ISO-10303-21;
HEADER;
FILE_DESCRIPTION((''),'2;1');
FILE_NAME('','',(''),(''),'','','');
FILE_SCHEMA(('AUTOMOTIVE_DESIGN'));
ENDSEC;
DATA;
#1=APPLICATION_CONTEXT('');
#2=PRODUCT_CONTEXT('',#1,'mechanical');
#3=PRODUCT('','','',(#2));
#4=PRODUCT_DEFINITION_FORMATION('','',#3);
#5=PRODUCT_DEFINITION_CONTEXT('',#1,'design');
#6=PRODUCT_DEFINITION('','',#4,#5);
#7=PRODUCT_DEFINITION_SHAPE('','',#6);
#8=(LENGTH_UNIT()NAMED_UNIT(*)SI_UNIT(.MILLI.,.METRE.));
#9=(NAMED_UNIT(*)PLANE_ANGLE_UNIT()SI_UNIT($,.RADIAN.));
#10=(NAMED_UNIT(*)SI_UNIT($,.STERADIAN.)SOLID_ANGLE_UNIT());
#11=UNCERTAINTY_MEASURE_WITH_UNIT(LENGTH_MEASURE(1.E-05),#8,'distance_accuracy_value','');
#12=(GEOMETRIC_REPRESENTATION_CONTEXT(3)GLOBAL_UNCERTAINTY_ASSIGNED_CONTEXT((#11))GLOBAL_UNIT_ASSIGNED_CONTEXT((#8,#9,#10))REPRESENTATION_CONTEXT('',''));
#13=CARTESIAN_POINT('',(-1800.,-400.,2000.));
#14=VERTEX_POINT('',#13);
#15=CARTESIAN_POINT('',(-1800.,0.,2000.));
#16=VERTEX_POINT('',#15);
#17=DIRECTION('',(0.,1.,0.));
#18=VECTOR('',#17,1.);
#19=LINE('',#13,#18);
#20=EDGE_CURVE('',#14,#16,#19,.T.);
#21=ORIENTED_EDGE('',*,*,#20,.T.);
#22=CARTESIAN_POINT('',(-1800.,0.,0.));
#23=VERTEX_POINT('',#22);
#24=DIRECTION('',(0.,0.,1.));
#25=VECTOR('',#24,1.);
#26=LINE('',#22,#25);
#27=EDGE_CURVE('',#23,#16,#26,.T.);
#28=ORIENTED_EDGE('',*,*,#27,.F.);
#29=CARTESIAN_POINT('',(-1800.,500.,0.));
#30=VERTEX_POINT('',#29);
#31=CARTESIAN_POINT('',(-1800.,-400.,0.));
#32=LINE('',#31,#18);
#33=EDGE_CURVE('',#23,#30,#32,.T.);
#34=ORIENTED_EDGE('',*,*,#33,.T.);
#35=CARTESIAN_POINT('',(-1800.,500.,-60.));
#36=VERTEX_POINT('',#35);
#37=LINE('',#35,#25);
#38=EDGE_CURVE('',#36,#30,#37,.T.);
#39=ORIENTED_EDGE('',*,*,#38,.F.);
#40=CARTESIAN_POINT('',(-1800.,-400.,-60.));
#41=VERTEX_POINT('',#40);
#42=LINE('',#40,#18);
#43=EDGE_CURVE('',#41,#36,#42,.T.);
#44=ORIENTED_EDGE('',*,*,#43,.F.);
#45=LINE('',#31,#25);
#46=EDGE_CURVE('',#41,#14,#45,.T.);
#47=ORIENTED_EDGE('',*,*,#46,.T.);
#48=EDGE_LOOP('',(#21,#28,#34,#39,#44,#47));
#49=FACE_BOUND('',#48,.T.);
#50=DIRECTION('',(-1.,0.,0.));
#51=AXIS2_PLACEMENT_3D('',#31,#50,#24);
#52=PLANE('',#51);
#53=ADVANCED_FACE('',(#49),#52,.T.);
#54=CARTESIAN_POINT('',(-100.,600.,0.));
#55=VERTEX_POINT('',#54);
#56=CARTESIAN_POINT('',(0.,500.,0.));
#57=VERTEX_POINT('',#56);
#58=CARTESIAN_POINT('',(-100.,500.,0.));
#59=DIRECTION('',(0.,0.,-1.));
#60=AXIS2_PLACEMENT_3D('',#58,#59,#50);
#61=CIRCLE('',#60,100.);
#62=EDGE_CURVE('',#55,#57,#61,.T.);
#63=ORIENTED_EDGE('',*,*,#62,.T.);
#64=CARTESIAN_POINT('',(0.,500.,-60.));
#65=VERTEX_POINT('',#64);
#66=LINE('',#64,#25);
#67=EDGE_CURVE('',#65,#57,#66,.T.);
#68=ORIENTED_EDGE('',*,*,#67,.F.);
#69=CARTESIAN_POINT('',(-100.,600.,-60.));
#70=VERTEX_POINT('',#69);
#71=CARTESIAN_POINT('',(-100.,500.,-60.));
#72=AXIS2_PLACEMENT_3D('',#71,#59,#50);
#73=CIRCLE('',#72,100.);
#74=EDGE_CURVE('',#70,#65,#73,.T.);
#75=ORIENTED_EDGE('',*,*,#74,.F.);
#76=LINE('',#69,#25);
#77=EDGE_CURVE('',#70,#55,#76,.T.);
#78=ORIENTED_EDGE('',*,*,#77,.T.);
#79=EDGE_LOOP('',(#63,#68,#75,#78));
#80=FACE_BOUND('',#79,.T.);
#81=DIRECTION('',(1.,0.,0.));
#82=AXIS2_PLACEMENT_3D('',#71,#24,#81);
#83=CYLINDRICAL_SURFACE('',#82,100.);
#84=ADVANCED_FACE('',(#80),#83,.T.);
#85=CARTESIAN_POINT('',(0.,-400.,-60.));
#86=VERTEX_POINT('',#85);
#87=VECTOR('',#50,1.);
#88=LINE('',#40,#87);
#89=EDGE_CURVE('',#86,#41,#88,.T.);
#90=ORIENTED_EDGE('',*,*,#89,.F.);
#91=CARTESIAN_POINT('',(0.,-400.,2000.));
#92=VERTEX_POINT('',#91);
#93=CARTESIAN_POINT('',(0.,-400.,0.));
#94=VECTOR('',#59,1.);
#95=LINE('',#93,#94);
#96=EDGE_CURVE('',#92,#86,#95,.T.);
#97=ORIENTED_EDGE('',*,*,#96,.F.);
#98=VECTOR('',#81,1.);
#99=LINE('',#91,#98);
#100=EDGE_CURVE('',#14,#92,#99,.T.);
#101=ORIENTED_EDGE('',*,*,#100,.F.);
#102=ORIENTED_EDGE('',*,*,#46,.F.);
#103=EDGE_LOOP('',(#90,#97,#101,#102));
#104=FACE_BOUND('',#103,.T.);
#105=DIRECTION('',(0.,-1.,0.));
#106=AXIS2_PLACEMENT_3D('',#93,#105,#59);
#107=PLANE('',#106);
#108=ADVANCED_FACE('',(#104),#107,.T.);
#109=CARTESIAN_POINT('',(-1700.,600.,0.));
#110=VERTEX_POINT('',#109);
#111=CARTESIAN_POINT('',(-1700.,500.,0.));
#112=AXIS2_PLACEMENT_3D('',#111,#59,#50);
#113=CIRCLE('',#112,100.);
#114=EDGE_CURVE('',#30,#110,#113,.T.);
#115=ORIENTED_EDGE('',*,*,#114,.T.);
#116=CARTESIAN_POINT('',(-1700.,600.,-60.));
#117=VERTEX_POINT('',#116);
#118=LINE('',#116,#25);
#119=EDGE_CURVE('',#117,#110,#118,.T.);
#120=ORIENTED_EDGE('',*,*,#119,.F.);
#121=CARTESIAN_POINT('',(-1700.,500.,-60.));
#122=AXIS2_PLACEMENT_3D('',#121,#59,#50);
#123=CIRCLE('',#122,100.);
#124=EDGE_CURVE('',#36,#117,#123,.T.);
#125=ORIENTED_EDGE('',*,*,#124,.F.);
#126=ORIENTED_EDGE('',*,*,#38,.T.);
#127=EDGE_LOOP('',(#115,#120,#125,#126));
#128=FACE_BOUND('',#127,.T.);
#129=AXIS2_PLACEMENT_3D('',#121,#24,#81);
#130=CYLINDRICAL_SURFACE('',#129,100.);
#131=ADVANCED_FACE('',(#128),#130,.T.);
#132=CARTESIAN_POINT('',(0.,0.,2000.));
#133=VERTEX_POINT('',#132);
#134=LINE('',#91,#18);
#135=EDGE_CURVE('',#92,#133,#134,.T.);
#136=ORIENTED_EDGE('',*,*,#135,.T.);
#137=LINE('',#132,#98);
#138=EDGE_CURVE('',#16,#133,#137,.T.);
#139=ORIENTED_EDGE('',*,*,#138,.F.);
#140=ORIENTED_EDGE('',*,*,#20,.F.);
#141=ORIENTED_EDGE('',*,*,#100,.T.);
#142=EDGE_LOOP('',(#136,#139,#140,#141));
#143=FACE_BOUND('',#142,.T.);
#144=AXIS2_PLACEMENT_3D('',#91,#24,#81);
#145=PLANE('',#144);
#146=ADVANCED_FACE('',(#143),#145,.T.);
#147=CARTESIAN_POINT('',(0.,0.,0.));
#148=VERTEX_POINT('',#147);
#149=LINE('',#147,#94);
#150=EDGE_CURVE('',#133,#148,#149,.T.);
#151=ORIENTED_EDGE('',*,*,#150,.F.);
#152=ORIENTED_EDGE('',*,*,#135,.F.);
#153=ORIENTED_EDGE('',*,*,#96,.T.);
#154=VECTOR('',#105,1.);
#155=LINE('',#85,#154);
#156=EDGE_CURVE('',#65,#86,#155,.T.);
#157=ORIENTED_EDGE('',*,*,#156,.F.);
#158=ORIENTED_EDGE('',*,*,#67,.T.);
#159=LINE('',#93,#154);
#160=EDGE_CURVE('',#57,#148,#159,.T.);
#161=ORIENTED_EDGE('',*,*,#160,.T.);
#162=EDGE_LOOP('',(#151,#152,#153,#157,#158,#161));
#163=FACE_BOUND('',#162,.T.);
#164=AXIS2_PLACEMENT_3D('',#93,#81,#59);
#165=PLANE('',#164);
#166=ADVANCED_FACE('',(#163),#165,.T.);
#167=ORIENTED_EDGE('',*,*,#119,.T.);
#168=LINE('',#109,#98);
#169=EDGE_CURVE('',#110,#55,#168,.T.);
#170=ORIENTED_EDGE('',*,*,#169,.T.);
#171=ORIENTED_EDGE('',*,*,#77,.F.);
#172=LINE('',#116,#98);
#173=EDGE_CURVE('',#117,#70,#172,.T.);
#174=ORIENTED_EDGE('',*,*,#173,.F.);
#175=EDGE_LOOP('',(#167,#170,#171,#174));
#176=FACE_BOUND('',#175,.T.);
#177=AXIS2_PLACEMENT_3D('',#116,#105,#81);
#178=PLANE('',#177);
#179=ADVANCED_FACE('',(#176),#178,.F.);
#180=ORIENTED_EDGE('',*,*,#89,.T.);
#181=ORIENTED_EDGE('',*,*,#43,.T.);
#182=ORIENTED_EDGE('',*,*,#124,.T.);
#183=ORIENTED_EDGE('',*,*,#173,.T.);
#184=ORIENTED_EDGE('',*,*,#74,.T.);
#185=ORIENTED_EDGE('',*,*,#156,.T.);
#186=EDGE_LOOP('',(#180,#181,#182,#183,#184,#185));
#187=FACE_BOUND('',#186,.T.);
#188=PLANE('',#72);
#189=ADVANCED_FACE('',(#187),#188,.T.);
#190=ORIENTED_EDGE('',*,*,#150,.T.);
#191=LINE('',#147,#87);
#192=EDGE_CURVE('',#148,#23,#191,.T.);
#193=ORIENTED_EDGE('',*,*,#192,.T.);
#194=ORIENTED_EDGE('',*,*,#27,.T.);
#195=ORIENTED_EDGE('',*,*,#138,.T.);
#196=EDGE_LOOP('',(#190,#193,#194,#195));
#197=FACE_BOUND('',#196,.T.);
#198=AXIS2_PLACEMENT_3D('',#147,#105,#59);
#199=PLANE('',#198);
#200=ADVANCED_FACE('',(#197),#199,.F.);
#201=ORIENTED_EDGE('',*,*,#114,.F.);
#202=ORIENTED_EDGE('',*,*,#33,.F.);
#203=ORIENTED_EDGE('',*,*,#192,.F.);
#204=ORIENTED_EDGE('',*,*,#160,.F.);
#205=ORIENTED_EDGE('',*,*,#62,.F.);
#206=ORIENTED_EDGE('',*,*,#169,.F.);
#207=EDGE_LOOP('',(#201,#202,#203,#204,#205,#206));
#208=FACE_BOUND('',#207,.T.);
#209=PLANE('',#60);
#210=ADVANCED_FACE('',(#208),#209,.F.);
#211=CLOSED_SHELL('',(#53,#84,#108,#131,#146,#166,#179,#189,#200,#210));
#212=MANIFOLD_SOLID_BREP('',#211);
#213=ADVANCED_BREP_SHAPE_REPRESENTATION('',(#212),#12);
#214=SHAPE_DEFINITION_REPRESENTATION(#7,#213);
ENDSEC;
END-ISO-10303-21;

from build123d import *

# Parameters (mm, degrees)
SKETCH_1_W      = 1800
SKETCH_1_H      = 2000
EXTRUDE_1_DEPTH = 400
EXTRUDE_2_DEPTH = 60


with BuildPart() as part:
    # 草图1 → 凸台-拉伸1 (new body)
    with BuildSketch(Plane(origin=(0, 0, 0), x_dir=(1, 0, 0), z_dir=(0, 1, 0))):
        with Locations((-900, -1000)):
            Rectangle(SKETCH_1_W, SKETCH_1_H)
    extrude(amount=-EXTRUDE_1_DEPTH)

    # 草图2 → 凸台-拉伸2 (add)
    with BuildSketch(Plane(origin=(0, 0, 0), x_dir=(-1, 0, 0), z_dir=(0, 0, -1))):
        with BuildLine():
            Line((1800, -400), (1800, 500))
            ThreePointArc((1800, 500), (1770.710678119, 570.710678119), (1700, 600))
            Line((1700, 600), (100, 600))
            ThreePointArc((100, 600), (29.289321881, 570.710678119), (0, 500))
            Line((0, 500), (0, -400))
            Line((0, -400), (1800, -400))
        make_face()
    extrude(amount=EXTRUDE_2_DEPTH)


solid = part.part
